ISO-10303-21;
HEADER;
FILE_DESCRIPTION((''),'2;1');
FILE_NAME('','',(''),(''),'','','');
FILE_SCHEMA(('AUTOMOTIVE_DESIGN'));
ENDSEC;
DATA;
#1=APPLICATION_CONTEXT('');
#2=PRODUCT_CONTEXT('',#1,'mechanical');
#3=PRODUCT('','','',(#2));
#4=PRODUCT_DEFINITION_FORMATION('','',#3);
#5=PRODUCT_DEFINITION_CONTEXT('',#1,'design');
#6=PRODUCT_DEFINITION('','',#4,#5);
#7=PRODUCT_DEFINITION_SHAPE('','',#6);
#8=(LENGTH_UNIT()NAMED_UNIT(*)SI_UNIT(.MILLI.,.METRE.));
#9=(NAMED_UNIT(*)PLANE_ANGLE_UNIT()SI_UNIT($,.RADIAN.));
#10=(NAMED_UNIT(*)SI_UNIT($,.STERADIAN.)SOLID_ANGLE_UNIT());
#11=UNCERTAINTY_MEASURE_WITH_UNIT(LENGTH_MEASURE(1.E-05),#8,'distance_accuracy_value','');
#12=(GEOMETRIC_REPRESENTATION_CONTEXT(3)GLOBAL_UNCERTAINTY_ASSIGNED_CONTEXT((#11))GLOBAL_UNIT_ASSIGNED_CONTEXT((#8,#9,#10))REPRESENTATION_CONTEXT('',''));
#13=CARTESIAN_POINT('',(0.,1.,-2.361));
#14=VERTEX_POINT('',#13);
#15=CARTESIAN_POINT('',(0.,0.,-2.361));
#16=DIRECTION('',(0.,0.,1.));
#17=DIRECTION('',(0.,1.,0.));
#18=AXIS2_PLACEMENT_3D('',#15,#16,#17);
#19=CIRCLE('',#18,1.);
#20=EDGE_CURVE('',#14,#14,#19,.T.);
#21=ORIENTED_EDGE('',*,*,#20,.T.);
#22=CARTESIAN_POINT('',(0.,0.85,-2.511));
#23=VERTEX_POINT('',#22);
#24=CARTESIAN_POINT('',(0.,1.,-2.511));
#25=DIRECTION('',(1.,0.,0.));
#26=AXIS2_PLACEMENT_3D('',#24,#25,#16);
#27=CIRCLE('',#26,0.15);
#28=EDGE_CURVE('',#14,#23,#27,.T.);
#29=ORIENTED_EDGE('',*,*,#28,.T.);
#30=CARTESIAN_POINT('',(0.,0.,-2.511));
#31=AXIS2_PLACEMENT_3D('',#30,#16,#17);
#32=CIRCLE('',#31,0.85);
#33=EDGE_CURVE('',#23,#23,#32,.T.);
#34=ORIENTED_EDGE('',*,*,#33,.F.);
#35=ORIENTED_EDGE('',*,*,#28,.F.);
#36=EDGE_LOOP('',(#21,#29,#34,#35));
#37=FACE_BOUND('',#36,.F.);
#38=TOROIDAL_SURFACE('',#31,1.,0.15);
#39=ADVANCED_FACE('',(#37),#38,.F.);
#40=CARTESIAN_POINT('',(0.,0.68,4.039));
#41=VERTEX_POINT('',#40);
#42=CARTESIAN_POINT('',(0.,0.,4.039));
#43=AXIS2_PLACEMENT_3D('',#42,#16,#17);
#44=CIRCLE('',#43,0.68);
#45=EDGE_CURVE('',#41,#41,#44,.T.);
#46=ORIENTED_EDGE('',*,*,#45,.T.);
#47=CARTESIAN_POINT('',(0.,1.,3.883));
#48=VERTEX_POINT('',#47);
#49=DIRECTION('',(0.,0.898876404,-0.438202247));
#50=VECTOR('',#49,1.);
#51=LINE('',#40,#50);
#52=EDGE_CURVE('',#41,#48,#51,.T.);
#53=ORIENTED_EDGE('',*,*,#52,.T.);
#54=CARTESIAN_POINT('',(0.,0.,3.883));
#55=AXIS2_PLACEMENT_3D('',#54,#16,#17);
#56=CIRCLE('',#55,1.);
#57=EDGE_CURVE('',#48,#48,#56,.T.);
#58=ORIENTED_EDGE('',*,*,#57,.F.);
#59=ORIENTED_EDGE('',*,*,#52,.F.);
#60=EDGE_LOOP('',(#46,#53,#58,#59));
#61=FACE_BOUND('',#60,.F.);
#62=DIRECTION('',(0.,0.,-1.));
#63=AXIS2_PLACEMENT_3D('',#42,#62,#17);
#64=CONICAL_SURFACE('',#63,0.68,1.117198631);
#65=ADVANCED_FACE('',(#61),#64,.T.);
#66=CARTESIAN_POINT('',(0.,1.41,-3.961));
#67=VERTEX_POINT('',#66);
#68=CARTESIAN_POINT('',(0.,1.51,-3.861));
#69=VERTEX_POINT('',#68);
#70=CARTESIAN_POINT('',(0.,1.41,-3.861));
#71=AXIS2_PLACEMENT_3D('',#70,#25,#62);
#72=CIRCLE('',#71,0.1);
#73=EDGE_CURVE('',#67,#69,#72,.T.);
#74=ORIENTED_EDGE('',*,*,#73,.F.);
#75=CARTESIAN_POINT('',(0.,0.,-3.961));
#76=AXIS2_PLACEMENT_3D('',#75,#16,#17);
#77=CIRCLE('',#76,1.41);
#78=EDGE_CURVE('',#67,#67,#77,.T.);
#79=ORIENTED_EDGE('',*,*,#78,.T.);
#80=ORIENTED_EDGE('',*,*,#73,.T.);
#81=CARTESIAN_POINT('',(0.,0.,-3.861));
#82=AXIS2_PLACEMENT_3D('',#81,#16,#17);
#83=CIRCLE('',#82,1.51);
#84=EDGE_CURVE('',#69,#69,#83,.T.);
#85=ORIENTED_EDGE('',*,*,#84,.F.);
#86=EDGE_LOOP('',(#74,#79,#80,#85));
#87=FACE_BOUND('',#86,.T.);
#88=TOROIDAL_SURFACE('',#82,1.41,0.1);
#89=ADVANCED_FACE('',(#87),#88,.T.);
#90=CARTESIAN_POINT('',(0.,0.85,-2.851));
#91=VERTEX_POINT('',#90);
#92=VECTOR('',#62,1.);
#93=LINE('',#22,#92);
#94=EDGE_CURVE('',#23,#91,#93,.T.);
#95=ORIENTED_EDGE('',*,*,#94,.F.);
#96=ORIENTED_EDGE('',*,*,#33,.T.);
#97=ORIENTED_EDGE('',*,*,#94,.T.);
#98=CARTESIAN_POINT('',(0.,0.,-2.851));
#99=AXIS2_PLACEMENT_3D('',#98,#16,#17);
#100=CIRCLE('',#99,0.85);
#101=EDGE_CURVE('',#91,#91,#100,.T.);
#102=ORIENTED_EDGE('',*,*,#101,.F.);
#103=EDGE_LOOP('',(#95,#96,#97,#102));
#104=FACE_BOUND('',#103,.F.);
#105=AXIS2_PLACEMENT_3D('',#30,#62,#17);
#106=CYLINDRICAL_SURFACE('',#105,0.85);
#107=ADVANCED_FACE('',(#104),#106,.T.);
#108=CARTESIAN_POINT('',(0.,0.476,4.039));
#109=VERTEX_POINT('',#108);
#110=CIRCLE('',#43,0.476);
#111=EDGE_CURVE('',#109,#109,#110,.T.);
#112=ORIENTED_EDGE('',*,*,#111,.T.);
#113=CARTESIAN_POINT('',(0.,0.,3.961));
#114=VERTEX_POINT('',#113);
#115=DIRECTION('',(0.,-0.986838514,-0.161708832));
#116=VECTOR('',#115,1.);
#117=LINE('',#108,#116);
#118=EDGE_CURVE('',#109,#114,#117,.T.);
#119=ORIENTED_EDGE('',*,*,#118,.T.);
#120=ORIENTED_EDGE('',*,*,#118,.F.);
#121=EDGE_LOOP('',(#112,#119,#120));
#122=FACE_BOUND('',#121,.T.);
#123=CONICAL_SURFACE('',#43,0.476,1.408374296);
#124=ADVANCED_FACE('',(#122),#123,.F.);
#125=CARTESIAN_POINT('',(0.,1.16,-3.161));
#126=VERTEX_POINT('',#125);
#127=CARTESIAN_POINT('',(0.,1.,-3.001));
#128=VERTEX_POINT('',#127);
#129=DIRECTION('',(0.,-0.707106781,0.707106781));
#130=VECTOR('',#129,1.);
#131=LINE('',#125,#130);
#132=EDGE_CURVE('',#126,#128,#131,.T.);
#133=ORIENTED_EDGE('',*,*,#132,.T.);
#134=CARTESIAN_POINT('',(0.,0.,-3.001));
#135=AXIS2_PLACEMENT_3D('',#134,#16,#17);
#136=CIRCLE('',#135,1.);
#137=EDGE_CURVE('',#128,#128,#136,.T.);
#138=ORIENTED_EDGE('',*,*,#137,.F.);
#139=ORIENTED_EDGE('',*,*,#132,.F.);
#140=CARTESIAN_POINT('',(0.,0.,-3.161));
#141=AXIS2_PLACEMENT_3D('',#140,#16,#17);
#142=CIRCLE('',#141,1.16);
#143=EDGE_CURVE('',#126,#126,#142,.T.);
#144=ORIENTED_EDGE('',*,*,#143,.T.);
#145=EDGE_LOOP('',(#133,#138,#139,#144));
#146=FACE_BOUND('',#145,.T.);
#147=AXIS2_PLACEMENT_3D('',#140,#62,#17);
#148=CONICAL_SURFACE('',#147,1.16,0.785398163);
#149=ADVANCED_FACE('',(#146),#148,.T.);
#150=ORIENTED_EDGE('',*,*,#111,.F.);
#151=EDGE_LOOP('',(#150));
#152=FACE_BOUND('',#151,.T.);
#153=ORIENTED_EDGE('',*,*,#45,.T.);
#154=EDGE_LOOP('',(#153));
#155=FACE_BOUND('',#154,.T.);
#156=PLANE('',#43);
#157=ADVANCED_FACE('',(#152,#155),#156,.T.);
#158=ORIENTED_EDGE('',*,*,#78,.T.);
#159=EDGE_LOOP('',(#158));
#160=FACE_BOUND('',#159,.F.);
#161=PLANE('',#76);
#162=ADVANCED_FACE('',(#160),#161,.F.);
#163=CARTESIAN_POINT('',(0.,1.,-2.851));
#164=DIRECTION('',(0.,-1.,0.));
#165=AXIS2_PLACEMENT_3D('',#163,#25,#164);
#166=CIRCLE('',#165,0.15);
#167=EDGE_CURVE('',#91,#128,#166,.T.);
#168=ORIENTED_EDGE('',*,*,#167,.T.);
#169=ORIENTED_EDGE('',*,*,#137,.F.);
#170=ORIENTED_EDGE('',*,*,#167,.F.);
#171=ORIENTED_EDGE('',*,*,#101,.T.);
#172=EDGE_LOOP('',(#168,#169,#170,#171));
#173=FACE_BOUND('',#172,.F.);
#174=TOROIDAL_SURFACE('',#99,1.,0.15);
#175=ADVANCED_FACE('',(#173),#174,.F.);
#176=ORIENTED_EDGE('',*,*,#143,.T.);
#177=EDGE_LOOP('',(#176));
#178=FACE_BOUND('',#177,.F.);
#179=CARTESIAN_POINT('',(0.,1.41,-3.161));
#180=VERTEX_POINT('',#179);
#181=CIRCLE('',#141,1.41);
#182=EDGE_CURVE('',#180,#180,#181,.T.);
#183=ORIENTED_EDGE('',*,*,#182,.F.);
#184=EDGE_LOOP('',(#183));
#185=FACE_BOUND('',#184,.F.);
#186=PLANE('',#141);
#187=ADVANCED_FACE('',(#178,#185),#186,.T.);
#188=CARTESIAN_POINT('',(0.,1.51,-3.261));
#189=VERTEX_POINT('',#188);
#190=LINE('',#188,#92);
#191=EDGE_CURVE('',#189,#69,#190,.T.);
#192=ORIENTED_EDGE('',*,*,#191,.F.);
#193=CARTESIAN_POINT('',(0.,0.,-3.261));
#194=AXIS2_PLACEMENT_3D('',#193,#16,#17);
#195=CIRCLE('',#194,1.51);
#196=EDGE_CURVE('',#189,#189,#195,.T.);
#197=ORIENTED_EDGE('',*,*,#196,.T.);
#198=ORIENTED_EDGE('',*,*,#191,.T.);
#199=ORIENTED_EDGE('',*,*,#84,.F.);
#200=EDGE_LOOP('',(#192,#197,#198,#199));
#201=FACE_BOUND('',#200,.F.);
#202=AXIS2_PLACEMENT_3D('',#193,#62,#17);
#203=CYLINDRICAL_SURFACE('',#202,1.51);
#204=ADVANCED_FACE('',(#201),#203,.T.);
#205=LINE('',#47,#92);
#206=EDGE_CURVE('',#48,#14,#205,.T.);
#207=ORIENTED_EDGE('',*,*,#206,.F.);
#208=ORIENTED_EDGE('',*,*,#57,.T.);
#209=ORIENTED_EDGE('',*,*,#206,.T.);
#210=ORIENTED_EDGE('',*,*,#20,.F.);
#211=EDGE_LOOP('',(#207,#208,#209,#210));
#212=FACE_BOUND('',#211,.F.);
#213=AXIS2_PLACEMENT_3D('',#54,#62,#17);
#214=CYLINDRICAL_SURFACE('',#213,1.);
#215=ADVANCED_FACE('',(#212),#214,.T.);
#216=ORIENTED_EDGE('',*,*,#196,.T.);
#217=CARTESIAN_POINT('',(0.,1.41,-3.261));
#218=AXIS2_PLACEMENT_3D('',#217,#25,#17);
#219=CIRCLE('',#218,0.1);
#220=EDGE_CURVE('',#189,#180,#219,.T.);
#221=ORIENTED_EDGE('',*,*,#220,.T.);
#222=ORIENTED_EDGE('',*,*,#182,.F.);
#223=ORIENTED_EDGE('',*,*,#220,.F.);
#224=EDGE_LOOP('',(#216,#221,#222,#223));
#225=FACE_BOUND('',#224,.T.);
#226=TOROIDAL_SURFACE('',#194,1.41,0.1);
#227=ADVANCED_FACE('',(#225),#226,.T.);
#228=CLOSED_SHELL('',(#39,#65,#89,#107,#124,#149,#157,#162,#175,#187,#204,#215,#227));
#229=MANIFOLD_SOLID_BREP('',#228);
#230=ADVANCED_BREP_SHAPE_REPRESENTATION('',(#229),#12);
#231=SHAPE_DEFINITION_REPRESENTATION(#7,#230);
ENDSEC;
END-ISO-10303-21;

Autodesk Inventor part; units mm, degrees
ref_plane "YZ Plane" through (0, 0, 0) normal (1, 0, 0) x (0, 1, 0)
ref_plane "XZ Plane" through (0, 0, 0) normal (0, 1, 0) x (-1, 0, 0)
ref_plane "XY Plane" through (0, 0, 0) normal (0, 0, 1) x (1, 0, 0)
sketch "Sketch1" plane through (0, 0, 0) normal (1, 0, 0) x (0, 1, 0)
  line L0 (0.68, 4.039) -> (1, 3.883)
  line L1 (1, 3.883) -> (1, -2.361)
  line L2 (1.16, -3.161) -> (1.41, -3.161)
  line L3 (1.51, -3.261) -> (1.51, -3.861)
  line L4 (1.41, -3.961) -> (0, -3.961)
  line L5 (0, -3.961) -> (0, 3.961)
  arc A0 (1.51, -3.261) -> (1.41, -3.161) centre (1.41, -3.261) ccw
  arc A1 (1.41, -3.961) -> (1.51, -3.861) centre (1.41, -3.861) ccw
  line L6 (0.68, 4.039) -> (0.476, 4.039)
  line L7 (0.476, 4.039) -> (0, 3.961)
  line L8 (1.16, -3.161) -> (1, -3.001)
  arc A2 (1, -2.361) -> (0.85, -2.511) centre (1, -2.511) ccw
  line L9 (0.85, -2.511) -> (0.85, -2.851)
  arc A3 (0.85, -2.851) -> (1, -3.001) centre (1, -2.851) ccw
  point P0 (0, 0)
  point P1 (1.51, -3.161)
  point P2 (1.51, -3.961)
  point P3 (0, 0)
  dimension "d0" = 2
  dimension "d2" = 3.02
  dimension "d4" = 1.36
  dimension "d6" = 0.8
  dimension "d8" = 0.1
  dimension "d9" = 0.156
  dimension "d11" = 8
  dimension "d12" = 0.952
  dimension "d13" = 0.078
  dimension "d14" = 2.32
  dimension "d15" = 135
  dimension "d16" = 0.8
  dimension "d17" = 1.7
revolve "Revolution1" add sketch "Sketch1" angle 360 about axis through (0, 0, -3.961) along (0, 0, 1)
properties part number "Pin_Headed-2x8mm" material "Stainless Steel"
